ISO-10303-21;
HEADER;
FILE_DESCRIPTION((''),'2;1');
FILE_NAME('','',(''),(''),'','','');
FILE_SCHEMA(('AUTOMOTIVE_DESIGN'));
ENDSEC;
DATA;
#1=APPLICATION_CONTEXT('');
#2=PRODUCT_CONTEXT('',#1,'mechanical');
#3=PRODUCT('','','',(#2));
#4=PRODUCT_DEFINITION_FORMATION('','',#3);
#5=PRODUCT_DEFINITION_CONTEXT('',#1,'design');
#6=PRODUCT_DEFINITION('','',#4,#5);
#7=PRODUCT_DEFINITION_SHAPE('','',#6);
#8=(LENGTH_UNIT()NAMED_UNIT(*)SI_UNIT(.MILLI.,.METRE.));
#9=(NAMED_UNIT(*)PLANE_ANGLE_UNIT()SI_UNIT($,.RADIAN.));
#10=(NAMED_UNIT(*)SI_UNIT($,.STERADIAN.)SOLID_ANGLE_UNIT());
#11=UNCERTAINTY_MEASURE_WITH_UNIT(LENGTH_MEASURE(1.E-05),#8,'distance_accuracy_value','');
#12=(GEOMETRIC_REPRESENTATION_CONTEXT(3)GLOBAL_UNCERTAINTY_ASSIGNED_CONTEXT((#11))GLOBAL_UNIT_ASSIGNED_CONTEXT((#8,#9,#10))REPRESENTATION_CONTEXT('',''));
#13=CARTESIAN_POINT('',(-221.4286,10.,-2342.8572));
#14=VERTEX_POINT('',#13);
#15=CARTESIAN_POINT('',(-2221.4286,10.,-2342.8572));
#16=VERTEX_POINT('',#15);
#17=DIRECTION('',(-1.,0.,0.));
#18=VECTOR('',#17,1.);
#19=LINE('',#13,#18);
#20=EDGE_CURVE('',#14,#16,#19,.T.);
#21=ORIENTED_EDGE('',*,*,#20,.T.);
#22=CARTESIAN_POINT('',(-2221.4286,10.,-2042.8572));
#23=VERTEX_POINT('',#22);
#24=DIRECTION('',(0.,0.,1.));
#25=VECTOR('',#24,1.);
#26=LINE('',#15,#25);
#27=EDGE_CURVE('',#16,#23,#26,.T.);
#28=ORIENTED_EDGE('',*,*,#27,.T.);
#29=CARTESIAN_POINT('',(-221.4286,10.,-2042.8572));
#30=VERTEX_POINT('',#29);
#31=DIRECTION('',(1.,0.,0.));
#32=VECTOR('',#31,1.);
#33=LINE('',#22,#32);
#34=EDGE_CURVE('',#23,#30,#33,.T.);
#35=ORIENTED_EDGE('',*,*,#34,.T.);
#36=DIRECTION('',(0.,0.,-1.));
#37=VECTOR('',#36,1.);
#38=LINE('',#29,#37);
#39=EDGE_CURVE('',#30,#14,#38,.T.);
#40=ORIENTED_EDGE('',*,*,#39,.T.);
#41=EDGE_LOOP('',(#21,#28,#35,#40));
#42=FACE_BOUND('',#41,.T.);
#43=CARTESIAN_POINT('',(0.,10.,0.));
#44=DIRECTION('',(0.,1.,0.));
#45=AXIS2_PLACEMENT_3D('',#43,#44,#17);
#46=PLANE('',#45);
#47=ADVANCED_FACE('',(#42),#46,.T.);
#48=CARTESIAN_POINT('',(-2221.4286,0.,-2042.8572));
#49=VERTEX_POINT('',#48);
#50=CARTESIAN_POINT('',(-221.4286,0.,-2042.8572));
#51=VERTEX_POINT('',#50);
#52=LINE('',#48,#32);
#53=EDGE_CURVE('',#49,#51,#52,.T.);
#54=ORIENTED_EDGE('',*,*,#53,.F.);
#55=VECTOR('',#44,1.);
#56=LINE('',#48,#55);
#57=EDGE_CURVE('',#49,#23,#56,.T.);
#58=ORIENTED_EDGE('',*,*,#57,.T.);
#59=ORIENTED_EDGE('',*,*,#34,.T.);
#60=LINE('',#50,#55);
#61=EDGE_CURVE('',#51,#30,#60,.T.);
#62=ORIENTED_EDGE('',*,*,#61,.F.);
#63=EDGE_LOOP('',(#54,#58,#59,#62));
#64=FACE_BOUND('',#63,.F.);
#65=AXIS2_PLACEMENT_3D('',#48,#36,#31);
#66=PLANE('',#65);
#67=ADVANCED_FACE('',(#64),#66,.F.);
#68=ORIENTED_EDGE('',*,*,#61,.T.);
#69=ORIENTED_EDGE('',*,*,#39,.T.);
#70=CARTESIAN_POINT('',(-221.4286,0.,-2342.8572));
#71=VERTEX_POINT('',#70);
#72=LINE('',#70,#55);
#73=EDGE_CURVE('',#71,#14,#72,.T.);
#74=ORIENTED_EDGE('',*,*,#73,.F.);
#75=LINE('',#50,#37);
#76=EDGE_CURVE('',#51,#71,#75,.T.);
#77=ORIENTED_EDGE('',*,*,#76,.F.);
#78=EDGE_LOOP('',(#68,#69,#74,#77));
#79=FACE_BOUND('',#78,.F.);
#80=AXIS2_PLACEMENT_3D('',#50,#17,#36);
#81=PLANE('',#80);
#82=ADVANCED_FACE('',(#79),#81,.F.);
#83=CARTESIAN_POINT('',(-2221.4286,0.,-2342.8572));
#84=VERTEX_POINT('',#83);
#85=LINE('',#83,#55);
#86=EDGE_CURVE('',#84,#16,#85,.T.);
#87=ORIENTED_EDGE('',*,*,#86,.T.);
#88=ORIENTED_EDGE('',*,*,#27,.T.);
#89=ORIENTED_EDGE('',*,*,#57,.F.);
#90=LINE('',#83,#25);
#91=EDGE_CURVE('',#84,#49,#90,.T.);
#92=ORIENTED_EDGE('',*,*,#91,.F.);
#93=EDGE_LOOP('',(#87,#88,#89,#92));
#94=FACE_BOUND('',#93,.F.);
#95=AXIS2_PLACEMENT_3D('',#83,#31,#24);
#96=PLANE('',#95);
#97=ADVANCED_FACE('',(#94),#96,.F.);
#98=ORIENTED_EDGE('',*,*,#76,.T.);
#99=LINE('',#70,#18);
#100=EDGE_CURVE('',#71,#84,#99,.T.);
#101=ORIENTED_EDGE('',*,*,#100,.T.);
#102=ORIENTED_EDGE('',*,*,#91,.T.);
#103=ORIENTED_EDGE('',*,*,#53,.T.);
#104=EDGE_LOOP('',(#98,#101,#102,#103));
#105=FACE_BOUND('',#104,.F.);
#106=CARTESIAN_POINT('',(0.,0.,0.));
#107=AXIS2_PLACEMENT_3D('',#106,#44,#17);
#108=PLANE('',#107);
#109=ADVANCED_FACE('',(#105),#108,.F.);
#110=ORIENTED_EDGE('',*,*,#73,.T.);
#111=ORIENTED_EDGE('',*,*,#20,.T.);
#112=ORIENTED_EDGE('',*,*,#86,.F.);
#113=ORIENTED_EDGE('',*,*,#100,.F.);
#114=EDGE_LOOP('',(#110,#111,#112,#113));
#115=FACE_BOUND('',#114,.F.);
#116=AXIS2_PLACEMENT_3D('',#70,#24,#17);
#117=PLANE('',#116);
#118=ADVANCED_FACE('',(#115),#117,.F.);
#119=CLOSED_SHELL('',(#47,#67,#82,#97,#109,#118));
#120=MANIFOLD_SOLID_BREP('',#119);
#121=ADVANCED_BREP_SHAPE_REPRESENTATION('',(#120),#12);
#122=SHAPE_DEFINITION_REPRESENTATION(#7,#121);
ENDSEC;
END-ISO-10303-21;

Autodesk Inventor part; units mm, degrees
ref_plane "YZ Plane" through (0, 0, 0) normal (1, 0, 0) x (0, 1, 0)
ref_plane "XZ Plane" through (0, 0, 0) normal (0, 1, 0) x (-1, 0, 0)
ref_plane "XY Plane" through (0, 0, 0) normal (0, 0, 1) x (1, 0, 0)
sketch "Skizze1" plane through (0, 0, 0) normal (0, 1, 0) x (-1, 0, 0)
  line L0 (2221.4286, -2042.8572) -> (221.4286, -2042.8572)
  line L1 (221.4286, -2042.8572) -> (221.4286, -2342.8572)
  line L2 (221.4286, -2342.8572) -> (2221.4286, -2342.8572)
  line L3 (2221.4286, -2342.8572) -> (2221.4286, -2042.8572)
  point P0 (0, 0)
  dimension "d0" = 2000
  dimension "d1" = 300
extrude "Extrusion1" add sketch "Skizze1" along normal blind 10
properties part number "Wand" material "Holz (Ahorn)"
